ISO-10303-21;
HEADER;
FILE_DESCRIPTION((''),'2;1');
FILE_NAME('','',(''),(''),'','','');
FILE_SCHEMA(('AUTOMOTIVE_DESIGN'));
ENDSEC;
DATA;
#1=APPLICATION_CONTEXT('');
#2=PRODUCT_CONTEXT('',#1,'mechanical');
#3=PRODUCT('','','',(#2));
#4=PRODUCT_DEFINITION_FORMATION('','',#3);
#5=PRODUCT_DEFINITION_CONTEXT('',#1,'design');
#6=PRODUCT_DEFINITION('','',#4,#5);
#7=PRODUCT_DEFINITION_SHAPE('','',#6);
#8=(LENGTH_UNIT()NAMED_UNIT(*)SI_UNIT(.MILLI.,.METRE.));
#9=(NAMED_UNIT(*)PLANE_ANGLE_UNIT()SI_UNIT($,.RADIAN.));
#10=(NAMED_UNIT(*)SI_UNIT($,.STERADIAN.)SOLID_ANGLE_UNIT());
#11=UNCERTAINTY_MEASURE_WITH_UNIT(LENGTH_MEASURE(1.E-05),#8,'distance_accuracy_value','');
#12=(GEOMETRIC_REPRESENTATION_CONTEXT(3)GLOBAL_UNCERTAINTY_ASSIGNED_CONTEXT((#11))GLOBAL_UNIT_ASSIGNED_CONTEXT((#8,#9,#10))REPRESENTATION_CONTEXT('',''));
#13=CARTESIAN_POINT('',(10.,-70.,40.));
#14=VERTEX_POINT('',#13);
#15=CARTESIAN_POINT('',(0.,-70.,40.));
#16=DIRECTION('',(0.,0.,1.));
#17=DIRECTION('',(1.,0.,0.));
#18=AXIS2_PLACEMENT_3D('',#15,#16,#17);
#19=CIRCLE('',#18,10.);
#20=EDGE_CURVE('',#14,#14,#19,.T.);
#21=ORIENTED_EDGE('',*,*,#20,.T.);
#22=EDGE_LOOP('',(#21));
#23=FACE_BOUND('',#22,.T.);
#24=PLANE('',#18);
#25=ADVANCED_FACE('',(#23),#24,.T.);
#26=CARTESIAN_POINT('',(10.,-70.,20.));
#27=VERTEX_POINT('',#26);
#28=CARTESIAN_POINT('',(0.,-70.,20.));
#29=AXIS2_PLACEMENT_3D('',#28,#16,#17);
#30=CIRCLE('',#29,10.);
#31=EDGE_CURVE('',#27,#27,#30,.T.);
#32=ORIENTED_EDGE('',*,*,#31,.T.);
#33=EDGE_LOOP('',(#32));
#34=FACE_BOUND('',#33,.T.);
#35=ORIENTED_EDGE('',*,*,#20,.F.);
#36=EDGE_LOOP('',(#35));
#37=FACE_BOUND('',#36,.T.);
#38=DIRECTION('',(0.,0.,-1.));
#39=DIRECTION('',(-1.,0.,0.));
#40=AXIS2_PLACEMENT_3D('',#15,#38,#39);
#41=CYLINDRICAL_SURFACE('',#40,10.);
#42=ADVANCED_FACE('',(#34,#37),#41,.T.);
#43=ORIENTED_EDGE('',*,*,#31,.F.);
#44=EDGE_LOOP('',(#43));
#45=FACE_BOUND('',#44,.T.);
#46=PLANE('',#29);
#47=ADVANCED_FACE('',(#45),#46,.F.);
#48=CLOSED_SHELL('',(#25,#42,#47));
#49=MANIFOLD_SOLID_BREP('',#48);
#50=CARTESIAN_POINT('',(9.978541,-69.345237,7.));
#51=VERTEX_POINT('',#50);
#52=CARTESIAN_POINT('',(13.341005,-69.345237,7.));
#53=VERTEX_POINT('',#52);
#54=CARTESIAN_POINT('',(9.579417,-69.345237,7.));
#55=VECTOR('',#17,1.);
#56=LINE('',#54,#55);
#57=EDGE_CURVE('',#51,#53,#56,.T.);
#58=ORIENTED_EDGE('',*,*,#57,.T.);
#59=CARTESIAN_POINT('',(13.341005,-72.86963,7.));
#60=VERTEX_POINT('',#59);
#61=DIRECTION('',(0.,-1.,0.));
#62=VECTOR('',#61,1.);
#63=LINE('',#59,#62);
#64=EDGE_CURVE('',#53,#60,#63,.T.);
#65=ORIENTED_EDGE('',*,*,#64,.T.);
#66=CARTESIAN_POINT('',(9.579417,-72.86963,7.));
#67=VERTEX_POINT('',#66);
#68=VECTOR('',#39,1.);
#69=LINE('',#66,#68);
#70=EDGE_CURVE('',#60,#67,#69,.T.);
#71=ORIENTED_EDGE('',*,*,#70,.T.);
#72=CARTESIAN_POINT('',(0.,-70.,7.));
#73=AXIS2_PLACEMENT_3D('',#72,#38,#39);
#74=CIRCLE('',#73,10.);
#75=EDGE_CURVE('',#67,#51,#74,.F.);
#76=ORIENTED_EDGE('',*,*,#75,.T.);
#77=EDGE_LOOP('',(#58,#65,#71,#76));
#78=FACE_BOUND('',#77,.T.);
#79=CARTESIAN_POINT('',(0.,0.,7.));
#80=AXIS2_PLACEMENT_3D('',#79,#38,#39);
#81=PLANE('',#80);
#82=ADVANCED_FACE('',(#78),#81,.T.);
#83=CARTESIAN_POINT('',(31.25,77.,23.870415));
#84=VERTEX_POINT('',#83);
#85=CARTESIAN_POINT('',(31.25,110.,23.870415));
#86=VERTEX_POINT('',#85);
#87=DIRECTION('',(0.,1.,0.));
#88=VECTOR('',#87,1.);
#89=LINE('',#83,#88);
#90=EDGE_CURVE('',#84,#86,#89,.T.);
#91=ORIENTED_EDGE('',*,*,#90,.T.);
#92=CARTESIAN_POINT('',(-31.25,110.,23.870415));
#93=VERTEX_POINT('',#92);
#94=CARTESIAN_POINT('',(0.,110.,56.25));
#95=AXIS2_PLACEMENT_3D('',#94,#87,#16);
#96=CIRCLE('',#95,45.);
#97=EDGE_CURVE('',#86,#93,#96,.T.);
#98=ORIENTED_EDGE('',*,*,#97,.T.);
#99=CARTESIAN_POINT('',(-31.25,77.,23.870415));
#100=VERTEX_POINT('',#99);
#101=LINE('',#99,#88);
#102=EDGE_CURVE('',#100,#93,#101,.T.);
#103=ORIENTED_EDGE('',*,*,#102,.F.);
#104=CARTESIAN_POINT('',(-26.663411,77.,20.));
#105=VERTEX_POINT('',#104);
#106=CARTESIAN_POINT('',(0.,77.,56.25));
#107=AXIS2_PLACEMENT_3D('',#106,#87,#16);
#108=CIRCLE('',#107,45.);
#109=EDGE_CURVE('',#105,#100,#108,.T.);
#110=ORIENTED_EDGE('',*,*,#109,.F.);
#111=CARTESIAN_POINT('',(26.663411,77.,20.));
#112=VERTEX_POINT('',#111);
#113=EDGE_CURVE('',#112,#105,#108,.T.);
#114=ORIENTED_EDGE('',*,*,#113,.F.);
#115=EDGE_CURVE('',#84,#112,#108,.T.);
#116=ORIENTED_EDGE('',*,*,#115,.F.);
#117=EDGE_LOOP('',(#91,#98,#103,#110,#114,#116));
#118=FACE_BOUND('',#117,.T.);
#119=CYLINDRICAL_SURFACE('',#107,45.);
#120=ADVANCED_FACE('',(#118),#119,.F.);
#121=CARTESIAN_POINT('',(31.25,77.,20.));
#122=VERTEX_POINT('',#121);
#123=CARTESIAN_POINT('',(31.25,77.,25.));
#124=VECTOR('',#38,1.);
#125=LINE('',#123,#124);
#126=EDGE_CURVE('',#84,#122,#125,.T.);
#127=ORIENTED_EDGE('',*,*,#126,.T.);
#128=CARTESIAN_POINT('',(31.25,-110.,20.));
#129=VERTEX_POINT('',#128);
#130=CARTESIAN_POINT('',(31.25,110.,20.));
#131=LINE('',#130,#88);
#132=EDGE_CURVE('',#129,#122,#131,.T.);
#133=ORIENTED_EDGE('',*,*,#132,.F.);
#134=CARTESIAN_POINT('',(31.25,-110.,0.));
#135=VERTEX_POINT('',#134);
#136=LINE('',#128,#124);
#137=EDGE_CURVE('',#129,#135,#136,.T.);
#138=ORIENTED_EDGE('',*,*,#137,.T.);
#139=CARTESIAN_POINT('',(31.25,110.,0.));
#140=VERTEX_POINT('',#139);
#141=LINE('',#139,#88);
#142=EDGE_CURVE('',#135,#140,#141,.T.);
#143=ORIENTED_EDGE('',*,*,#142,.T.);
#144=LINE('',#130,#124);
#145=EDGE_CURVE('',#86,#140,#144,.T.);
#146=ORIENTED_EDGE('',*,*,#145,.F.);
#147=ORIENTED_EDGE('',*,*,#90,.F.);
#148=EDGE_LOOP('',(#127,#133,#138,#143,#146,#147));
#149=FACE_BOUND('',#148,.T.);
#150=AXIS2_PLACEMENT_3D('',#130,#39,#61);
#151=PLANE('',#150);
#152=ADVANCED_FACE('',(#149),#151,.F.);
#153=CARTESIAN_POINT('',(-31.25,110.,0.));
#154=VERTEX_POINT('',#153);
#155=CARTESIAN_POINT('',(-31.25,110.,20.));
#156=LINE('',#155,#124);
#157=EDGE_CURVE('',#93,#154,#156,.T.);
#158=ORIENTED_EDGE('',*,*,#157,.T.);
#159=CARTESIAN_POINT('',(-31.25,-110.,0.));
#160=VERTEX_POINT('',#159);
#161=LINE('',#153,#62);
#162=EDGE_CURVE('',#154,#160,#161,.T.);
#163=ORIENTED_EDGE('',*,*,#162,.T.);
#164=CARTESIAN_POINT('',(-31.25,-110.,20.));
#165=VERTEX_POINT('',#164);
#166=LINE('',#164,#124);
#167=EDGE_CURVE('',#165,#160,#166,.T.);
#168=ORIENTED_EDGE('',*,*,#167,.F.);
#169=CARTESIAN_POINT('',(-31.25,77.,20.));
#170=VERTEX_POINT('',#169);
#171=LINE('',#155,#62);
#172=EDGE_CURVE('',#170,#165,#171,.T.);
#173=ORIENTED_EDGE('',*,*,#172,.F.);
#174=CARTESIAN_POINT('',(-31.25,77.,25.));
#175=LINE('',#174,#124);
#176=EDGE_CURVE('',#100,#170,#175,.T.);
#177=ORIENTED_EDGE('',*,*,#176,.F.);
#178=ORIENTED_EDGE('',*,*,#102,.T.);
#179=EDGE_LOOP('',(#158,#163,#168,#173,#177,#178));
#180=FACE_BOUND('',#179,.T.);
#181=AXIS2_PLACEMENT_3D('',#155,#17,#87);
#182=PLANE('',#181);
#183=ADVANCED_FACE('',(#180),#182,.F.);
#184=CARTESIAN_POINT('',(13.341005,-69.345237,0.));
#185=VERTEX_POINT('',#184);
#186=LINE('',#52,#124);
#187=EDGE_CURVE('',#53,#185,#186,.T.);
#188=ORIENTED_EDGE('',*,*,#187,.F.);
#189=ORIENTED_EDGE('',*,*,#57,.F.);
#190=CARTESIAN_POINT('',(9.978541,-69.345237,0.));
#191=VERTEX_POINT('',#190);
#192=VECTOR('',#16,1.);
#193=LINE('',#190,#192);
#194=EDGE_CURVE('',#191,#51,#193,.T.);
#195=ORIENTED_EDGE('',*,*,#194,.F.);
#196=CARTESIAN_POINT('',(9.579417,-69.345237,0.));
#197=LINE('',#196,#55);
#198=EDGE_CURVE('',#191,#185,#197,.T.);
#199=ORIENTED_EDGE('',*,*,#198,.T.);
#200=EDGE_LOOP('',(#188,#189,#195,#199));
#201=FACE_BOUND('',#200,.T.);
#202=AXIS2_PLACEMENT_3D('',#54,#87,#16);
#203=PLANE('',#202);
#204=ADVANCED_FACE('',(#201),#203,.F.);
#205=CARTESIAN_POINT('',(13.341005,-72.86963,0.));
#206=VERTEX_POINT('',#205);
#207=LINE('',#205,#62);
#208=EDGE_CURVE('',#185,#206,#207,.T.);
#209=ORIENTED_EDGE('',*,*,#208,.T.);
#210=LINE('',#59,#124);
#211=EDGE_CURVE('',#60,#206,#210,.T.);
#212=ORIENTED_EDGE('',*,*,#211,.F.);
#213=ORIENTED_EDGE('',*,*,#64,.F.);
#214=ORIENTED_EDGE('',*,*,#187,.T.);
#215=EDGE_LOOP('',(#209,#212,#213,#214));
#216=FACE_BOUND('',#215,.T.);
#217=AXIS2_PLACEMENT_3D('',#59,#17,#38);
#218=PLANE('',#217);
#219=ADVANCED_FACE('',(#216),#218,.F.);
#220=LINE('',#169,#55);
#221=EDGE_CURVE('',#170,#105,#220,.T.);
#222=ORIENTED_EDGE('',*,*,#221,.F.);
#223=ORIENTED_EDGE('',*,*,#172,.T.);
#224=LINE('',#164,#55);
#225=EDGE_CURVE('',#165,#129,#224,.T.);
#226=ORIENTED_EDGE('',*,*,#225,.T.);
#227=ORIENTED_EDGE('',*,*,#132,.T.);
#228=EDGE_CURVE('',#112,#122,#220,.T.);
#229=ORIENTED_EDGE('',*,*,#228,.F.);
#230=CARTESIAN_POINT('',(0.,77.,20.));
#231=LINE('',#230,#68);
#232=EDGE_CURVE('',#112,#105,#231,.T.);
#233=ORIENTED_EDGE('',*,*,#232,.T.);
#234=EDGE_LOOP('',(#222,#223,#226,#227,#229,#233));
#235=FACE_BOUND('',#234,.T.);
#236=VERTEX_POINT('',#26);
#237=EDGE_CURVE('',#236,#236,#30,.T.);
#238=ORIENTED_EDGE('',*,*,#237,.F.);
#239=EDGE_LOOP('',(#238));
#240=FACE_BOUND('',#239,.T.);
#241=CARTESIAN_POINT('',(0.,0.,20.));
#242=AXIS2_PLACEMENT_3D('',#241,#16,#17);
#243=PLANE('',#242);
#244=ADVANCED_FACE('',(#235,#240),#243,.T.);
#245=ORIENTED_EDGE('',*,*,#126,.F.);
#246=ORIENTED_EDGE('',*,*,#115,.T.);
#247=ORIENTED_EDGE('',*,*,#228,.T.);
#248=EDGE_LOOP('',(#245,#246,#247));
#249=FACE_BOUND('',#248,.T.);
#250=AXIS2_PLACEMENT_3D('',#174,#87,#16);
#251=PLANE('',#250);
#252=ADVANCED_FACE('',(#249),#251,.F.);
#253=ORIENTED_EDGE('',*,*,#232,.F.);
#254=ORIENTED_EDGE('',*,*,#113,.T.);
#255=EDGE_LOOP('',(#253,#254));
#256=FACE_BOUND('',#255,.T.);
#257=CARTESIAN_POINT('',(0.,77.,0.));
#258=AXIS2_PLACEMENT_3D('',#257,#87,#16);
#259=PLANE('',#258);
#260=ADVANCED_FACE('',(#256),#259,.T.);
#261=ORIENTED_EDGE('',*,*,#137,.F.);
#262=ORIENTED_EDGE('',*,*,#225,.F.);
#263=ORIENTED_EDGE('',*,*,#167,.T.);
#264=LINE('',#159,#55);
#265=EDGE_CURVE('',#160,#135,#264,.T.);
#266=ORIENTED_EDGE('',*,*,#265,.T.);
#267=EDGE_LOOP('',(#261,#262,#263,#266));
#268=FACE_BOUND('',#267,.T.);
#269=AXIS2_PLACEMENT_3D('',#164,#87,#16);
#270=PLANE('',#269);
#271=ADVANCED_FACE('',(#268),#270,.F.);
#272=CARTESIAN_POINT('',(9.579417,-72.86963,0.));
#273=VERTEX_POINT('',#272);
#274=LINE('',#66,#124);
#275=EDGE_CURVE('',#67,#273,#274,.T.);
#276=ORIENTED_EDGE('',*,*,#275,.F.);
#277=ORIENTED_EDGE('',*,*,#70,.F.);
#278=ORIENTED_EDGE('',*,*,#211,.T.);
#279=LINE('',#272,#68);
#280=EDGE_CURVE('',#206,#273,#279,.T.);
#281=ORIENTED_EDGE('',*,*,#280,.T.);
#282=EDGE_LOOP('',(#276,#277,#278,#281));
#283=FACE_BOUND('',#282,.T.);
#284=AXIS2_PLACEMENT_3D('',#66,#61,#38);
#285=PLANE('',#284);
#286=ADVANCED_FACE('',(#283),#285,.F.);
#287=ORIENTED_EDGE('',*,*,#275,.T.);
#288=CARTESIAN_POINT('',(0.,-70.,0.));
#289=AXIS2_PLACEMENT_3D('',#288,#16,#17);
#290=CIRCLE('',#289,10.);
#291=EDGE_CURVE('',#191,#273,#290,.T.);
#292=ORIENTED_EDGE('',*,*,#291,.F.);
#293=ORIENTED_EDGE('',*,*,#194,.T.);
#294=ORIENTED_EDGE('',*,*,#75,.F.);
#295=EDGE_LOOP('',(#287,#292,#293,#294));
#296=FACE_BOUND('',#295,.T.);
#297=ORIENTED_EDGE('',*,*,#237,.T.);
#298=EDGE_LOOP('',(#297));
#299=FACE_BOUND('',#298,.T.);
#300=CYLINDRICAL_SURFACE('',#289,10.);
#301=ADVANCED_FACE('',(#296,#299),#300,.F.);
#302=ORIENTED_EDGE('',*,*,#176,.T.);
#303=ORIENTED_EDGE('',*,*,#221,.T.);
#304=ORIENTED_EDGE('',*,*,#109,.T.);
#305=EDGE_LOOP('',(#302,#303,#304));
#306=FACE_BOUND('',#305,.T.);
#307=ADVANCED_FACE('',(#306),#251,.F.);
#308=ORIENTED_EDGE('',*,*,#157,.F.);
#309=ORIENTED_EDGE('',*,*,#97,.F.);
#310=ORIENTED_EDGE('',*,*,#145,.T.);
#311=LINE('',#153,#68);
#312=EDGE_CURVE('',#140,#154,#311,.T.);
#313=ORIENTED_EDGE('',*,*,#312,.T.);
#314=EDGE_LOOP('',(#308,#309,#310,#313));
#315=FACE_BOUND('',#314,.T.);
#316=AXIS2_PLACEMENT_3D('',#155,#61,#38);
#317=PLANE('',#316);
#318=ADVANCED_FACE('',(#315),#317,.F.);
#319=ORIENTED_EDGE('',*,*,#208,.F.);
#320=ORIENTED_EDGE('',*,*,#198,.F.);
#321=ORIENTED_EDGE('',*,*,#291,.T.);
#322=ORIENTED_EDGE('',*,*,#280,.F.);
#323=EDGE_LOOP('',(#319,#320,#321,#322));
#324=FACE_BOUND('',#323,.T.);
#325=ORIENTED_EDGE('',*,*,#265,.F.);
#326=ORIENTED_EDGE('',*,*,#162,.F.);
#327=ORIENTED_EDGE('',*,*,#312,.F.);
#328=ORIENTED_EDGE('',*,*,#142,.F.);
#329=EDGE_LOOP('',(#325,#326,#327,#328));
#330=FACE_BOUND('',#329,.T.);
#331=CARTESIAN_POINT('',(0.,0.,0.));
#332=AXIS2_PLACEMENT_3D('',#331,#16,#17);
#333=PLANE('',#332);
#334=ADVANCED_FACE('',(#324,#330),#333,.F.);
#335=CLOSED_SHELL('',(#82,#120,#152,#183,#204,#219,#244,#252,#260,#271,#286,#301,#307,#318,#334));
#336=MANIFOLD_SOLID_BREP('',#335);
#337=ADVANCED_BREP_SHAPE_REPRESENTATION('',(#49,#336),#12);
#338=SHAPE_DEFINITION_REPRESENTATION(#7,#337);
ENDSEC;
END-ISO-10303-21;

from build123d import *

# Parameters (mm, degrees)
SKETCH1_W           = 62.5
SKETCH1_H           = 220
BOSS_EXTRUDE1_DEPTH = 20
SKETCH2_W           = 62.5
SKETCH2_H           = 33
BOSS_EXTRUDE2_DEPTH = 5
SKETCH3_R           = 10
CUT_EXTRUDE1_DEPTH  = 21
CUT_EXTRUDE2_DEPTH  = 33
SKETCH5_R           = 10
BOSS_EXTRUDE3_DEPTH = 20
SKETCH6_W           = 3.761588262
SKETCH6_H           = 3.524392854
CUT_EXTRUDE3_DEPTH  = 7


with BuildPart() as part:
    # Sketch1 → Boss-Extrude1 (new body)
    with BuildSketch(Plane.XY):
        Rectangle(SKETCH1_W, SKETCH1_H)
    extrude(amount=BOSS_EXTRUDE1_DEPTH)

    # Sketch2 → Boss-Extrude2 (add)
    with BuildSketch(Plane.XY.offset(20)):
        with Locations((0, 93.5)):
            Rectangle(SKETCH2_W, SKETCH2_H)
    extrude(amount=BOSS_EXTRUDE2_DEPTH)

    # Sketch3 → Cut-Extrude1 (cut, through all)
    with BuildSketch(Plane.XY.offset(20)):
        with Locations((0, -70)):
            Circle(SKETCH3_R)
    extrude(amount=-CUT_EXTRUDE1_DEPTH, mode=Mode.SUBTRACT)

    # Sketch4 → Cut-Extrude2 (cut)
    with BuildSketch(Plane(origin=(0, 110, 0), x_dir=(1, 0, 0), z_dir=(0, 1, 0))):
        with BuildLine():
            Line((30.073382628, -25), (31.25, -25))
            Line((31.25, -25), (31.25, -23.870415383))
            ThreePointArc((31.25, -23.870415383), (0, -11.25), (-31.25, -23.870415383))
            Line((-31.25, -23.870415383), (-31.25, -25))
            Line((-31.25, -25), (30.073382628, -25))
        make_face()
    extrude(amount=-CUT_EXTRUDE2_DEPTH, mode=Mode.SUBTRACT)

    # Sketch6 → Cut-Extrude3 (cut)
    with BuildSketch(Plane(origin=(0, 0, 0), x_dir=(-1, 0, 0), z_dir=(0, 0, -1))):
        with Locations((-11.460210717, -71.107433841)):
            Rectangle(SKETCH6_W, SKETCH6_H)
    extrude(amount=-CUT_EXTRUDE3_DEPTH, mode=Mode.SUBTRACT)


with BuildPart() as body_2:
    # Sketch5 → Boss-Extrude3 (new body)
    with BuildSketch(Plane.XY.offset(20)):
        with Locations((0, -70)):
            Circle(SKETCH5_R)
    extrude(amount=BOSS_EXTRUDE3_DEPTH)


solid = Compound([part.part, body_2.part])
